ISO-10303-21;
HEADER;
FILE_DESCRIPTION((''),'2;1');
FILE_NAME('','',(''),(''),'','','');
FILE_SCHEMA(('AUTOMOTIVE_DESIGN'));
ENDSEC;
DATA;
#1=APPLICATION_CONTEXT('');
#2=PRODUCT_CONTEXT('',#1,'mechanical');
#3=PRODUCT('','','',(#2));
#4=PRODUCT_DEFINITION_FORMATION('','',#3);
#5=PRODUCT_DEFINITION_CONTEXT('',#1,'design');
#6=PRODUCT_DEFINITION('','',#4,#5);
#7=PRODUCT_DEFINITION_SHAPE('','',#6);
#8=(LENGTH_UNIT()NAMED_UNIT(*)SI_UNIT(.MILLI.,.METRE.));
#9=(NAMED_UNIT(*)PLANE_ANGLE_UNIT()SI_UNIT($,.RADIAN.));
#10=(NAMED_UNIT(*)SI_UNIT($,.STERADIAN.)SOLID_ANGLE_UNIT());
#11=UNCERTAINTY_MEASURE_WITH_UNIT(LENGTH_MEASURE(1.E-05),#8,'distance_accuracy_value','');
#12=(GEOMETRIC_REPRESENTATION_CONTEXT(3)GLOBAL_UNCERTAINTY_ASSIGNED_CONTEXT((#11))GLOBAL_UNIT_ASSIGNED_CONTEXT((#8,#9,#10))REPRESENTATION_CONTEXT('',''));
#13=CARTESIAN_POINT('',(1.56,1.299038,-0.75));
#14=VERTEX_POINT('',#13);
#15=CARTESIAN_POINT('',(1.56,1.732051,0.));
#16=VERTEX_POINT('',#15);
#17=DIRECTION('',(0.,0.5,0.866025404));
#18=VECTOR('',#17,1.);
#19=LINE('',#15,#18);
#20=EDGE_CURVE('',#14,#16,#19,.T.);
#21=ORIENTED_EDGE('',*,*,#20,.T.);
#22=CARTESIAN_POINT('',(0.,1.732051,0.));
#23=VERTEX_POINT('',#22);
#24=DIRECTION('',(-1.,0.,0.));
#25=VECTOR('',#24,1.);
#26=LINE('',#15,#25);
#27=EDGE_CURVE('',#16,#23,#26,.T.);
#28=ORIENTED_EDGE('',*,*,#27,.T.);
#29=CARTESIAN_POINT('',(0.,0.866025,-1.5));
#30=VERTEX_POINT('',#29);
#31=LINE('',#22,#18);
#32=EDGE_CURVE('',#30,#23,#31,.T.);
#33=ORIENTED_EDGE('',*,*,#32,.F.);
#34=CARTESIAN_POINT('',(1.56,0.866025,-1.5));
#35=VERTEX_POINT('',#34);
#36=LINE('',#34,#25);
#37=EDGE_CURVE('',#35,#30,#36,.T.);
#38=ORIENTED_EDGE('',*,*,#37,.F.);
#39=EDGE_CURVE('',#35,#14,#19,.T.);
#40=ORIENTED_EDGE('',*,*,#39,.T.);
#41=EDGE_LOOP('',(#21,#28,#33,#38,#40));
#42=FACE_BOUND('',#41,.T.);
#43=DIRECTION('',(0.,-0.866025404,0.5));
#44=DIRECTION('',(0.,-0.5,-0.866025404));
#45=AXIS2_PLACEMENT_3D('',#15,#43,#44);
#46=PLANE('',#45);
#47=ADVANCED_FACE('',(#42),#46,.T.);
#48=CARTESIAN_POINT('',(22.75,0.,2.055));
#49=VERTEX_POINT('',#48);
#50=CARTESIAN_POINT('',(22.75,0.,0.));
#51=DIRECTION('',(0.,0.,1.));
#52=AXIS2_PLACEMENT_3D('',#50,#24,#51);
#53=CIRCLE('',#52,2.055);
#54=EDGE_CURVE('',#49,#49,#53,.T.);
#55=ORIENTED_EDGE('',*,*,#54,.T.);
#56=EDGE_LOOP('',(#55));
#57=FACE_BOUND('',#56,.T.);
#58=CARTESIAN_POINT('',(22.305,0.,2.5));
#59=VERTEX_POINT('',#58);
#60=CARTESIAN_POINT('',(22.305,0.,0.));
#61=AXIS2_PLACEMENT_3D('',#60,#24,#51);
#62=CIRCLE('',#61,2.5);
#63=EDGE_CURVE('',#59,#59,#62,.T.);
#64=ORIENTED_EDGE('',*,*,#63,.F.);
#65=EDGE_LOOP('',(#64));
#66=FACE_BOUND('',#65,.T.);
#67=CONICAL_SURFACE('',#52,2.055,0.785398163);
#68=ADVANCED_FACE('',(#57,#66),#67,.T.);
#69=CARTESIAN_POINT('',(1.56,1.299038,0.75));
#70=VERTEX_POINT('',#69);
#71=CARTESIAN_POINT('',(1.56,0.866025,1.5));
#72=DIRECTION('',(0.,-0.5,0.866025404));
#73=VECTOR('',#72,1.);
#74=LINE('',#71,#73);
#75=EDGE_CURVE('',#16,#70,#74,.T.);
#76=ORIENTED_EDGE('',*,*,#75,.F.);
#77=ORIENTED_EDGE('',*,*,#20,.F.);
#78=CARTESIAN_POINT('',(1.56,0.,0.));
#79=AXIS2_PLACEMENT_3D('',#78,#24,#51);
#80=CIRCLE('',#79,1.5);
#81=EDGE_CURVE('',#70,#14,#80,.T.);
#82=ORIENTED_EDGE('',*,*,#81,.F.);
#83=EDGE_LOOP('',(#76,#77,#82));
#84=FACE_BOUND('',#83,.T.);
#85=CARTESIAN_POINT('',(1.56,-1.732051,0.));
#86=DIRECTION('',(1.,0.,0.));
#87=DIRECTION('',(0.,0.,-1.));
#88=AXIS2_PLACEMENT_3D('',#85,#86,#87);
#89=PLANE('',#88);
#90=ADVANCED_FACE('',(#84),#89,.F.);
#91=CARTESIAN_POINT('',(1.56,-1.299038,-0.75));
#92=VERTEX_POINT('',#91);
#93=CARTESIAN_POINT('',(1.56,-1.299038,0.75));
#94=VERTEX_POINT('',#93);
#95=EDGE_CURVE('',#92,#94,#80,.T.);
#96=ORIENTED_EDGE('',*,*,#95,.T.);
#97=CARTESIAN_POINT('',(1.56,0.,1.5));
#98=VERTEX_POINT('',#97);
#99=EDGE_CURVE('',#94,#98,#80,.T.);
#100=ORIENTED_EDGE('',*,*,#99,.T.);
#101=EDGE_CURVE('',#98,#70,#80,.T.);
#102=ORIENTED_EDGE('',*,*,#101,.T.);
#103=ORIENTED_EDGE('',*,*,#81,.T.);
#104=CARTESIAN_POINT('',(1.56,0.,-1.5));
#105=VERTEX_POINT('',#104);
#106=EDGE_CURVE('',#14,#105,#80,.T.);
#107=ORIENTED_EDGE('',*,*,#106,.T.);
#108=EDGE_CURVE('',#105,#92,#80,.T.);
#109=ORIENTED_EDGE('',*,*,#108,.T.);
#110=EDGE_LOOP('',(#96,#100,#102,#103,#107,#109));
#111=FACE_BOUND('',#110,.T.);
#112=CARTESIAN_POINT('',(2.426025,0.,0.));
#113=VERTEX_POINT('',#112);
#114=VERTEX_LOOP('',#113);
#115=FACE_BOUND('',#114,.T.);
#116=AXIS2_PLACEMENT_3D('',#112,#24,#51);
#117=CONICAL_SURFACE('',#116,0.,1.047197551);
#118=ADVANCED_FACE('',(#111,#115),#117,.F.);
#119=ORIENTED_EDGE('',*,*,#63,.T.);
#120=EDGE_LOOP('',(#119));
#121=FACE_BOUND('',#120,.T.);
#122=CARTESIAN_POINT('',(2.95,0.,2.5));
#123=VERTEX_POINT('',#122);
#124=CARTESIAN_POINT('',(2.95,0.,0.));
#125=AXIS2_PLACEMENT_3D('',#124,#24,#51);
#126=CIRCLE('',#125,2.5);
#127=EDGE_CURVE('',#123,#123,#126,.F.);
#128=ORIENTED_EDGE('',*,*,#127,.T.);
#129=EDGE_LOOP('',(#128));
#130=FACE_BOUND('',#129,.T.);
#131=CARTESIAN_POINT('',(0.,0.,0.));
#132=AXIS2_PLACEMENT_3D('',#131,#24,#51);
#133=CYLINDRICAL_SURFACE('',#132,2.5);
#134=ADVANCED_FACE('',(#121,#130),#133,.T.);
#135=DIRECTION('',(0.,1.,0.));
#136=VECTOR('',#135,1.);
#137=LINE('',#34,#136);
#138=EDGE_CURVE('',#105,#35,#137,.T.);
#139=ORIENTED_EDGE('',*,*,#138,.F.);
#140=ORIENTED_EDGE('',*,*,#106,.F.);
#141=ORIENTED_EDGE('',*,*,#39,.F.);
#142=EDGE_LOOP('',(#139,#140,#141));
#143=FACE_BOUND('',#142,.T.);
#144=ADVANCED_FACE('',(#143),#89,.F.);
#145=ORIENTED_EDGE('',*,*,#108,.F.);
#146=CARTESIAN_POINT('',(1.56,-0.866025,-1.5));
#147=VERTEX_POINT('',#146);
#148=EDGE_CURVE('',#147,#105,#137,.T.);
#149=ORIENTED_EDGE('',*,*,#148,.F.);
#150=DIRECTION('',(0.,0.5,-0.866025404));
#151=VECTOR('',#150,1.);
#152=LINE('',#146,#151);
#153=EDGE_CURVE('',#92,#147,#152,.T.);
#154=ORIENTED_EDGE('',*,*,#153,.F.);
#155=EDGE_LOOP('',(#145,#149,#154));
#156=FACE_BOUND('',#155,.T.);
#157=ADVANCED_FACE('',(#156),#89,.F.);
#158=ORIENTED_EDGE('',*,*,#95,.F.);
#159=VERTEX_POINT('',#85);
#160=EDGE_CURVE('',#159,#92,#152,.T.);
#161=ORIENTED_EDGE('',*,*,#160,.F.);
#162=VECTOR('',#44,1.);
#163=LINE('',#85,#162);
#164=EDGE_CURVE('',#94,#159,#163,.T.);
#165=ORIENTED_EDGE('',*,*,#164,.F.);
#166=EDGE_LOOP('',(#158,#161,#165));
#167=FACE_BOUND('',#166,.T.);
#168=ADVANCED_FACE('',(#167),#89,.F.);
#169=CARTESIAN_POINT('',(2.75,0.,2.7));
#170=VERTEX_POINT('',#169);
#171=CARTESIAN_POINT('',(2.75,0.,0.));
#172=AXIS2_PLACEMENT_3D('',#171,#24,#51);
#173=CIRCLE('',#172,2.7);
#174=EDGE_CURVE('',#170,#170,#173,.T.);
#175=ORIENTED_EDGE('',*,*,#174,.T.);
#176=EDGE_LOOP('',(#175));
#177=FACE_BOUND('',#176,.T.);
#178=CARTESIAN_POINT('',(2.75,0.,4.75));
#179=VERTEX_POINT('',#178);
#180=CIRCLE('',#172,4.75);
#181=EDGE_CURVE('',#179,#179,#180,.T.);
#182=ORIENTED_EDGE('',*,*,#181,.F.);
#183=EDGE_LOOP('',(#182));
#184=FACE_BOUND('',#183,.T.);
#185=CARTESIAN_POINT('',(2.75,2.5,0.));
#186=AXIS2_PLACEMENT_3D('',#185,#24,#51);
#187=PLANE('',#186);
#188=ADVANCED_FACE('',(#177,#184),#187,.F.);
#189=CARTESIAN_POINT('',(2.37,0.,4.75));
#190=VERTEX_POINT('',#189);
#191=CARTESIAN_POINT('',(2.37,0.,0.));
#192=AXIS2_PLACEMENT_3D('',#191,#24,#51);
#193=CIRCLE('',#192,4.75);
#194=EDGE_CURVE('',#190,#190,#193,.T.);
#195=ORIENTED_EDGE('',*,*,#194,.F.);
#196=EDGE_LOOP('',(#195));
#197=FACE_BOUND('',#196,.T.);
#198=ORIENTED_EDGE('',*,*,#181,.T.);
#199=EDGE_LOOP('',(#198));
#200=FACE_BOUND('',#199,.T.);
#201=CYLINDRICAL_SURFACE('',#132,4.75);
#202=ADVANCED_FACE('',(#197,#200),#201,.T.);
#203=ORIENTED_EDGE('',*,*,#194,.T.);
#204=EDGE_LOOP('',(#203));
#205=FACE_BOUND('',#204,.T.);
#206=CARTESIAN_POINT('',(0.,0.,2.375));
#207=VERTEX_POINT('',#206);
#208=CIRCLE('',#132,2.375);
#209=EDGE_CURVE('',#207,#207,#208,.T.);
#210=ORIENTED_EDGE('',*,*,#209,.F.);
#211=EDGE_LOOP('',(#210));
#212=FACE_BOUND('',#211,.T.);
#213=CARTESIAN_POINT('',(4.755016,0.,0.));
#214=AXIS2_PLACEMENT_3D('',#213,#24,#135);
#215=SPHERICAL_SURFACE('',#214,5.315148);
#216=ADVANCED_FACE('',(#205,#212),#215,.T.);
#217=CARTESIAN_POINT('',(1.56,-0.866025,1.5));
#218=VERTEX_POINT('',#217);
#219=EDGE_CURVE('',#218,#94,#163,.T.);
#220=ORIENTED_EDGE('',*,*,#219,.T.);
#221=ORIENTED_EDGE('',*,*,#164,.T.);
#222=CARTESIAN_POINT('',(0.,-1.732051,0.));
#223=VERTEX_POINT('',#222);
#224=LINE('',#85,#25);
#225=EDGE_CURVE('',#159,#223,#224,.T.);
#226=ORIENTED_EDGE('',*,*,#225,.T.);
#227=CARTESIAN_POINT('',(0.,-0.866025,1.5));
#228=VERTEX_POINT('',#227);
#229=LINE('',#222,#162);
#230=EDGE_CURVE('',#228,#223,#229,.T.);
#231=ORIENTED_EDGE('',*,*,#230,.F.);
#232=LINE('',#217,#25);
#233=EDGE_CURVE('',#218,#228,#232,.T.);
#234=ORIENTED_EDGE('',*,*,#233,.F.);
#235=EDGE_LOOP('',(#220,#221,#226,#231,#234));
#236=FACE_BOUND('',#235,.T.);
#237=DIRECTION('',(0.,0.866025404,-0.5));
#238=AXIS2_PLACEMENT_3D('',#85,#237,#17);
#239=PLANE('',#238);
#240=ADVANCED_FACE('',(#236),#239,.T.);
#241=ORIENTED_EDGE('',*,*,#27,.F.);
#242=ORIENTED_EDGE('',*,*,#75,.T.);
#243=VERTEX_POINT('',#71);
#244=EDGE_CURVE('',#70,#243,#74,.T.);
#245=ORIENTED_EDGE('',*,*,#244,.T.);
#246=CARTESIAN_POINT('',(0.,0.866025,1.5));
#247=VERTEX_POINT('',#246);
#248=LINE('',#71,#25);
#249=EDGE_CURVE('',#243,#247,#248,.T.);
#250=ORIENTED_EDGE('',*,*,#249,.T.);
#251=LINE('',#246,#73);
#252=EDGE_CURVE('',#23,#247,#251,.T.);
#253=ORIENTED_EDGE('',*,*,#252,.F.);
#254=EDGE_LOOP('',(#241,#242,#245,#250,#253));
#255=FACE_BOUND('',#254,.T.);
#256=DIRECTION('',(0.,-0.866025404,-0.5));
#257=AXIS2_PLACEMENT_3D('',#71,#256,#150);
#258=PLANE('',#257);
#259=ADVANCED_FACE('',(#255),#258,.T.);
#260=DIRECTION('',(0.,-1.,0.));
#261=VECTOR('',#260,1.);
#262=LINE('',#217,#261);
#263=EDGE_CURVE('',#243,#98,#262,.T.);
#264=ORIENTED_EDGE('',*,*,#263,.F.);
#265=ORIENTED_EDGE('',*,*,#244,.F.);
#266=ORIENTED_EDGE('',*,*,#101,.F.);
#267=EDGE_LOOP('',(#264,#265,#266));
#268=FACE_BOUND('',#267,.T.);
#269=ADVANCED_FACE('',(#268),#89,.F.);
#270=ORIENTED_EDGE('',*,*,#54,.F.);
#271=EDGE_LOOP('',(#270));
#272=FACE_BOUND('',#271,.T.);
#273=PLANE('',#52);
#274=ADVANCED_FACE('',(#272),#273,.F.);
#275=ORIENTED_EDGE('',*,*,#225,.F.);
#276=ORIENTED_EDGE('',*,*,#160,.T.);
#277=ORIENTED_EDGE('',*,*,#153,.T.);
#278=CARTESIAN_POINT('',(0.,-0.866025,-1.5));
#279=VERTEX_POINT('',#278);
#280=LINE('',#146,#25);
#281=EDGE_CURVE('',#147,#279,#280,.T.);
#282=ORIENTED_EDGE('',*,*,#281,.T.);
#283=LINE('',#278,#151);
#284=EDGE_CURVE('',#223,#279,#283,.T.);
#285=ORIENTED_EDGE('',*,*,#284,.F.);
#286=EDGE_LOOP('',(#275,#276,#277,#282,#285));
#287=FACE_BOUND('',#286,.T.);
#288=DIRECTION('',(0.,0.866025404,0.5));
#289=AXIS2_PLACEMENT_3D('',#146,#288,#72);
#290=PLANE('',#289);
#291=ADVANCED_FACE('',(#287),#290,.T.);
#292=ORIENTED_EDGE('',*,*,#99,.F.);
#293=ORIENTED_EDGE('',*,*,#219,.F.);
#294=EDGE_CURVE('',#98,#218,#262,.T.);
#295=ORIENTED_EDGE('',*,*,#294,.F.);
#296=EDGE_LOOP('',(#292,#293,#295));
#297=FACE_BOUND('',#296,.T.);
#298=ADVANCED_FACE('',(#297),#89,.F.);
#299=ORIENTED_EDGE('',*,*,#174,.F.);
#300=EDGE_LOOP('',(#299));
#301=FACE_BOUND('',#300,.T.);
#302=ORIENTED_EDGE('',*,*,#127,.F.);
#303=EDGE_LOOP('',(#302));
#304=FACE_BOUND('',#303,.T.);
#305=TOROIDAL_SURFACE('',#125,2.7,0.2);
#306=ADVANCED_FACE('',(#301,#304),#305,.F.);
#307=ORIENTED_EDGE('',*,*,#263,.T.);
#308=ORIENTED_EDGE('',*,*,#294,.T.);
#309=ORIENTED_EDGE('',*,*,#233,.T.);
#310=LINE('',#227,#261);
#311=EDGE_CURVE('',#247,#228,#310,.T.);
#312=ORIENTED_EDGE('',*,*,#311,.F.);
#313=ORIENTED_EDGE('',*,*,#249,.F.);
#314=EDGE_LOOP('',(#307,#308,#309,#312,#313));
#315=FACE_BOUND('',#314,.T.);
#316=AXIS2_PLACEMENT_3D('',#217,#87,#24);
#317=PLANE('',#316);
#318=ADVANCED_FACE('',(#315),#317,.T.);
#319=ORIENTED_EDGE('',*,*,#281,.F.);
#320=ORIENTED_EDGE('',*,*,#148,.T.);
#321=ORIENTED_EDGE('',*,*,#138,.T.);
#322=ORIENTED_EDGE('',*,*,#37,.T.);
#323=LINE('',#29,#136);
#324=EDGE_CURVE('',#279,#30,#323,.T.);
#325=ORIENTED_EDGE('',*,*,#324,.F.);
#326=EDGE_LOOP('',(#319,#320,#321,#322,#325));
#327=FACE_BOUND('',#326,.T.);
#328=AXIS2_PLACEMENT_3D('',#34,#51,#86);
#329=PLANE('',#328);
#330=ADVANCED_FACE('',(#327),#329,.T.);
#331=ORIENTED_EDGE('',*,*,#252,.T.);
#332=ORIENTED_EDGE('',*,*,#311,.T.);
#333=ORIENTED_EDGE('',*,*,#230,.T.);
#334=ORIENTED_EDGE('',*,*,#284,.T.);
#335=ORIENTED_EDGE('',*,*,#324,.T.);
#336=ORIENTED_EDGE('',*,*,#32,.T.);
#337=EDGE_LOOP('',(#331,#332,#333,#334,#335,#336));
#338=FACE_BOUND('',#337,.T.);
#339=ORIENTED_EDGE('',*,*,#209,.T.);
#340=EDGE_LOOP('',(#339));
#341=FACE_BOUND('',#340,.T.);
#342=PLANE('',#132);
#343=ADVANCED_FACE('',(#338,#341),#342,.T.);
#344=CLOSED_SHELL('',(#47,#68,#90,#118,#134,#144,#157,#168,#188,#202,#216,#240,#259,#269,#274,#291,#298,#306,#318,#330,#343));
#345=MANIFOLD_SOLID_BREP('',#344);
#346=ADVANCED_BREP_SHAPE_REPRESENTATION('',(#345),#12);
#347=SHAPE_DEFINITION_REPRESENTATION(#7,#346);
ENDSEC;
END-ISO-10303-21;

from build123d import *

# Parameters (mm, degrees)
FILLET1_R   = 0.2
HEX_2_DEPTH = 1.56


with BuildPart() as part:
    # BodySke → BaseBody (revolve)
    with BuildSketch(Plane.XY):
        with BuildLine():
            Line((22.75, 0), (22.75, 2.055))
            Line((22.75, 2.055), (22.305, 2.5))
            Line((22.305, 2.5), (2.75, 2.5))
            Line((2.75, 2.5), (2.75, 4.75))
            Line((2.75, 4.75), (2.37, 4.75))
            ThreePointArc((2.37, 4.75), (0.992680215, 3.754414901), (0, 2.375))
            Line((0, 2.375), (0, 0))
            Line((0, 0), (22.75, 0))
        make_face()
    revolve(axis=Axis((0, 0, 0), (1, 0, 0)))

    # Fillet1
    fillet1_edges = [part.edges().sort_by_distance(p)[0] for p in [
        (2.75, -2.5, 0),
    ]]
    fillet(fillet1_edges, radius=FILLET1_R)

    # Sketch2 → PreBroach (revolve, cut)
    with BuildSketch(Plane.XY):
        Polygon((0, 1.5), (1.56, 1.5), (2.426025404, 0), (0, 0), align=None)
    revolve(axis=Axis((0, 0, 0), (1, 0, 0)), mode=Mode.SUBTRACT)

    # Sketch3 → Hex 2 (cut)
    with BuildSketch(Plane(origin=(0, 0, 0), x_dir=(0, 0, -1), z_dir=(1, 0, 0))):
        Polygon((-1.5, -0.866025404), (-1.5, 0.866025404), (0, 1.732050808), (1.5, 0.866025404), (1.5, -0.866025404), (0, -1.732050808), align=None)
    extrude(amount=HEX_2_DEPTH, mode=Mode.SUBTRACT)


solid = part.part
